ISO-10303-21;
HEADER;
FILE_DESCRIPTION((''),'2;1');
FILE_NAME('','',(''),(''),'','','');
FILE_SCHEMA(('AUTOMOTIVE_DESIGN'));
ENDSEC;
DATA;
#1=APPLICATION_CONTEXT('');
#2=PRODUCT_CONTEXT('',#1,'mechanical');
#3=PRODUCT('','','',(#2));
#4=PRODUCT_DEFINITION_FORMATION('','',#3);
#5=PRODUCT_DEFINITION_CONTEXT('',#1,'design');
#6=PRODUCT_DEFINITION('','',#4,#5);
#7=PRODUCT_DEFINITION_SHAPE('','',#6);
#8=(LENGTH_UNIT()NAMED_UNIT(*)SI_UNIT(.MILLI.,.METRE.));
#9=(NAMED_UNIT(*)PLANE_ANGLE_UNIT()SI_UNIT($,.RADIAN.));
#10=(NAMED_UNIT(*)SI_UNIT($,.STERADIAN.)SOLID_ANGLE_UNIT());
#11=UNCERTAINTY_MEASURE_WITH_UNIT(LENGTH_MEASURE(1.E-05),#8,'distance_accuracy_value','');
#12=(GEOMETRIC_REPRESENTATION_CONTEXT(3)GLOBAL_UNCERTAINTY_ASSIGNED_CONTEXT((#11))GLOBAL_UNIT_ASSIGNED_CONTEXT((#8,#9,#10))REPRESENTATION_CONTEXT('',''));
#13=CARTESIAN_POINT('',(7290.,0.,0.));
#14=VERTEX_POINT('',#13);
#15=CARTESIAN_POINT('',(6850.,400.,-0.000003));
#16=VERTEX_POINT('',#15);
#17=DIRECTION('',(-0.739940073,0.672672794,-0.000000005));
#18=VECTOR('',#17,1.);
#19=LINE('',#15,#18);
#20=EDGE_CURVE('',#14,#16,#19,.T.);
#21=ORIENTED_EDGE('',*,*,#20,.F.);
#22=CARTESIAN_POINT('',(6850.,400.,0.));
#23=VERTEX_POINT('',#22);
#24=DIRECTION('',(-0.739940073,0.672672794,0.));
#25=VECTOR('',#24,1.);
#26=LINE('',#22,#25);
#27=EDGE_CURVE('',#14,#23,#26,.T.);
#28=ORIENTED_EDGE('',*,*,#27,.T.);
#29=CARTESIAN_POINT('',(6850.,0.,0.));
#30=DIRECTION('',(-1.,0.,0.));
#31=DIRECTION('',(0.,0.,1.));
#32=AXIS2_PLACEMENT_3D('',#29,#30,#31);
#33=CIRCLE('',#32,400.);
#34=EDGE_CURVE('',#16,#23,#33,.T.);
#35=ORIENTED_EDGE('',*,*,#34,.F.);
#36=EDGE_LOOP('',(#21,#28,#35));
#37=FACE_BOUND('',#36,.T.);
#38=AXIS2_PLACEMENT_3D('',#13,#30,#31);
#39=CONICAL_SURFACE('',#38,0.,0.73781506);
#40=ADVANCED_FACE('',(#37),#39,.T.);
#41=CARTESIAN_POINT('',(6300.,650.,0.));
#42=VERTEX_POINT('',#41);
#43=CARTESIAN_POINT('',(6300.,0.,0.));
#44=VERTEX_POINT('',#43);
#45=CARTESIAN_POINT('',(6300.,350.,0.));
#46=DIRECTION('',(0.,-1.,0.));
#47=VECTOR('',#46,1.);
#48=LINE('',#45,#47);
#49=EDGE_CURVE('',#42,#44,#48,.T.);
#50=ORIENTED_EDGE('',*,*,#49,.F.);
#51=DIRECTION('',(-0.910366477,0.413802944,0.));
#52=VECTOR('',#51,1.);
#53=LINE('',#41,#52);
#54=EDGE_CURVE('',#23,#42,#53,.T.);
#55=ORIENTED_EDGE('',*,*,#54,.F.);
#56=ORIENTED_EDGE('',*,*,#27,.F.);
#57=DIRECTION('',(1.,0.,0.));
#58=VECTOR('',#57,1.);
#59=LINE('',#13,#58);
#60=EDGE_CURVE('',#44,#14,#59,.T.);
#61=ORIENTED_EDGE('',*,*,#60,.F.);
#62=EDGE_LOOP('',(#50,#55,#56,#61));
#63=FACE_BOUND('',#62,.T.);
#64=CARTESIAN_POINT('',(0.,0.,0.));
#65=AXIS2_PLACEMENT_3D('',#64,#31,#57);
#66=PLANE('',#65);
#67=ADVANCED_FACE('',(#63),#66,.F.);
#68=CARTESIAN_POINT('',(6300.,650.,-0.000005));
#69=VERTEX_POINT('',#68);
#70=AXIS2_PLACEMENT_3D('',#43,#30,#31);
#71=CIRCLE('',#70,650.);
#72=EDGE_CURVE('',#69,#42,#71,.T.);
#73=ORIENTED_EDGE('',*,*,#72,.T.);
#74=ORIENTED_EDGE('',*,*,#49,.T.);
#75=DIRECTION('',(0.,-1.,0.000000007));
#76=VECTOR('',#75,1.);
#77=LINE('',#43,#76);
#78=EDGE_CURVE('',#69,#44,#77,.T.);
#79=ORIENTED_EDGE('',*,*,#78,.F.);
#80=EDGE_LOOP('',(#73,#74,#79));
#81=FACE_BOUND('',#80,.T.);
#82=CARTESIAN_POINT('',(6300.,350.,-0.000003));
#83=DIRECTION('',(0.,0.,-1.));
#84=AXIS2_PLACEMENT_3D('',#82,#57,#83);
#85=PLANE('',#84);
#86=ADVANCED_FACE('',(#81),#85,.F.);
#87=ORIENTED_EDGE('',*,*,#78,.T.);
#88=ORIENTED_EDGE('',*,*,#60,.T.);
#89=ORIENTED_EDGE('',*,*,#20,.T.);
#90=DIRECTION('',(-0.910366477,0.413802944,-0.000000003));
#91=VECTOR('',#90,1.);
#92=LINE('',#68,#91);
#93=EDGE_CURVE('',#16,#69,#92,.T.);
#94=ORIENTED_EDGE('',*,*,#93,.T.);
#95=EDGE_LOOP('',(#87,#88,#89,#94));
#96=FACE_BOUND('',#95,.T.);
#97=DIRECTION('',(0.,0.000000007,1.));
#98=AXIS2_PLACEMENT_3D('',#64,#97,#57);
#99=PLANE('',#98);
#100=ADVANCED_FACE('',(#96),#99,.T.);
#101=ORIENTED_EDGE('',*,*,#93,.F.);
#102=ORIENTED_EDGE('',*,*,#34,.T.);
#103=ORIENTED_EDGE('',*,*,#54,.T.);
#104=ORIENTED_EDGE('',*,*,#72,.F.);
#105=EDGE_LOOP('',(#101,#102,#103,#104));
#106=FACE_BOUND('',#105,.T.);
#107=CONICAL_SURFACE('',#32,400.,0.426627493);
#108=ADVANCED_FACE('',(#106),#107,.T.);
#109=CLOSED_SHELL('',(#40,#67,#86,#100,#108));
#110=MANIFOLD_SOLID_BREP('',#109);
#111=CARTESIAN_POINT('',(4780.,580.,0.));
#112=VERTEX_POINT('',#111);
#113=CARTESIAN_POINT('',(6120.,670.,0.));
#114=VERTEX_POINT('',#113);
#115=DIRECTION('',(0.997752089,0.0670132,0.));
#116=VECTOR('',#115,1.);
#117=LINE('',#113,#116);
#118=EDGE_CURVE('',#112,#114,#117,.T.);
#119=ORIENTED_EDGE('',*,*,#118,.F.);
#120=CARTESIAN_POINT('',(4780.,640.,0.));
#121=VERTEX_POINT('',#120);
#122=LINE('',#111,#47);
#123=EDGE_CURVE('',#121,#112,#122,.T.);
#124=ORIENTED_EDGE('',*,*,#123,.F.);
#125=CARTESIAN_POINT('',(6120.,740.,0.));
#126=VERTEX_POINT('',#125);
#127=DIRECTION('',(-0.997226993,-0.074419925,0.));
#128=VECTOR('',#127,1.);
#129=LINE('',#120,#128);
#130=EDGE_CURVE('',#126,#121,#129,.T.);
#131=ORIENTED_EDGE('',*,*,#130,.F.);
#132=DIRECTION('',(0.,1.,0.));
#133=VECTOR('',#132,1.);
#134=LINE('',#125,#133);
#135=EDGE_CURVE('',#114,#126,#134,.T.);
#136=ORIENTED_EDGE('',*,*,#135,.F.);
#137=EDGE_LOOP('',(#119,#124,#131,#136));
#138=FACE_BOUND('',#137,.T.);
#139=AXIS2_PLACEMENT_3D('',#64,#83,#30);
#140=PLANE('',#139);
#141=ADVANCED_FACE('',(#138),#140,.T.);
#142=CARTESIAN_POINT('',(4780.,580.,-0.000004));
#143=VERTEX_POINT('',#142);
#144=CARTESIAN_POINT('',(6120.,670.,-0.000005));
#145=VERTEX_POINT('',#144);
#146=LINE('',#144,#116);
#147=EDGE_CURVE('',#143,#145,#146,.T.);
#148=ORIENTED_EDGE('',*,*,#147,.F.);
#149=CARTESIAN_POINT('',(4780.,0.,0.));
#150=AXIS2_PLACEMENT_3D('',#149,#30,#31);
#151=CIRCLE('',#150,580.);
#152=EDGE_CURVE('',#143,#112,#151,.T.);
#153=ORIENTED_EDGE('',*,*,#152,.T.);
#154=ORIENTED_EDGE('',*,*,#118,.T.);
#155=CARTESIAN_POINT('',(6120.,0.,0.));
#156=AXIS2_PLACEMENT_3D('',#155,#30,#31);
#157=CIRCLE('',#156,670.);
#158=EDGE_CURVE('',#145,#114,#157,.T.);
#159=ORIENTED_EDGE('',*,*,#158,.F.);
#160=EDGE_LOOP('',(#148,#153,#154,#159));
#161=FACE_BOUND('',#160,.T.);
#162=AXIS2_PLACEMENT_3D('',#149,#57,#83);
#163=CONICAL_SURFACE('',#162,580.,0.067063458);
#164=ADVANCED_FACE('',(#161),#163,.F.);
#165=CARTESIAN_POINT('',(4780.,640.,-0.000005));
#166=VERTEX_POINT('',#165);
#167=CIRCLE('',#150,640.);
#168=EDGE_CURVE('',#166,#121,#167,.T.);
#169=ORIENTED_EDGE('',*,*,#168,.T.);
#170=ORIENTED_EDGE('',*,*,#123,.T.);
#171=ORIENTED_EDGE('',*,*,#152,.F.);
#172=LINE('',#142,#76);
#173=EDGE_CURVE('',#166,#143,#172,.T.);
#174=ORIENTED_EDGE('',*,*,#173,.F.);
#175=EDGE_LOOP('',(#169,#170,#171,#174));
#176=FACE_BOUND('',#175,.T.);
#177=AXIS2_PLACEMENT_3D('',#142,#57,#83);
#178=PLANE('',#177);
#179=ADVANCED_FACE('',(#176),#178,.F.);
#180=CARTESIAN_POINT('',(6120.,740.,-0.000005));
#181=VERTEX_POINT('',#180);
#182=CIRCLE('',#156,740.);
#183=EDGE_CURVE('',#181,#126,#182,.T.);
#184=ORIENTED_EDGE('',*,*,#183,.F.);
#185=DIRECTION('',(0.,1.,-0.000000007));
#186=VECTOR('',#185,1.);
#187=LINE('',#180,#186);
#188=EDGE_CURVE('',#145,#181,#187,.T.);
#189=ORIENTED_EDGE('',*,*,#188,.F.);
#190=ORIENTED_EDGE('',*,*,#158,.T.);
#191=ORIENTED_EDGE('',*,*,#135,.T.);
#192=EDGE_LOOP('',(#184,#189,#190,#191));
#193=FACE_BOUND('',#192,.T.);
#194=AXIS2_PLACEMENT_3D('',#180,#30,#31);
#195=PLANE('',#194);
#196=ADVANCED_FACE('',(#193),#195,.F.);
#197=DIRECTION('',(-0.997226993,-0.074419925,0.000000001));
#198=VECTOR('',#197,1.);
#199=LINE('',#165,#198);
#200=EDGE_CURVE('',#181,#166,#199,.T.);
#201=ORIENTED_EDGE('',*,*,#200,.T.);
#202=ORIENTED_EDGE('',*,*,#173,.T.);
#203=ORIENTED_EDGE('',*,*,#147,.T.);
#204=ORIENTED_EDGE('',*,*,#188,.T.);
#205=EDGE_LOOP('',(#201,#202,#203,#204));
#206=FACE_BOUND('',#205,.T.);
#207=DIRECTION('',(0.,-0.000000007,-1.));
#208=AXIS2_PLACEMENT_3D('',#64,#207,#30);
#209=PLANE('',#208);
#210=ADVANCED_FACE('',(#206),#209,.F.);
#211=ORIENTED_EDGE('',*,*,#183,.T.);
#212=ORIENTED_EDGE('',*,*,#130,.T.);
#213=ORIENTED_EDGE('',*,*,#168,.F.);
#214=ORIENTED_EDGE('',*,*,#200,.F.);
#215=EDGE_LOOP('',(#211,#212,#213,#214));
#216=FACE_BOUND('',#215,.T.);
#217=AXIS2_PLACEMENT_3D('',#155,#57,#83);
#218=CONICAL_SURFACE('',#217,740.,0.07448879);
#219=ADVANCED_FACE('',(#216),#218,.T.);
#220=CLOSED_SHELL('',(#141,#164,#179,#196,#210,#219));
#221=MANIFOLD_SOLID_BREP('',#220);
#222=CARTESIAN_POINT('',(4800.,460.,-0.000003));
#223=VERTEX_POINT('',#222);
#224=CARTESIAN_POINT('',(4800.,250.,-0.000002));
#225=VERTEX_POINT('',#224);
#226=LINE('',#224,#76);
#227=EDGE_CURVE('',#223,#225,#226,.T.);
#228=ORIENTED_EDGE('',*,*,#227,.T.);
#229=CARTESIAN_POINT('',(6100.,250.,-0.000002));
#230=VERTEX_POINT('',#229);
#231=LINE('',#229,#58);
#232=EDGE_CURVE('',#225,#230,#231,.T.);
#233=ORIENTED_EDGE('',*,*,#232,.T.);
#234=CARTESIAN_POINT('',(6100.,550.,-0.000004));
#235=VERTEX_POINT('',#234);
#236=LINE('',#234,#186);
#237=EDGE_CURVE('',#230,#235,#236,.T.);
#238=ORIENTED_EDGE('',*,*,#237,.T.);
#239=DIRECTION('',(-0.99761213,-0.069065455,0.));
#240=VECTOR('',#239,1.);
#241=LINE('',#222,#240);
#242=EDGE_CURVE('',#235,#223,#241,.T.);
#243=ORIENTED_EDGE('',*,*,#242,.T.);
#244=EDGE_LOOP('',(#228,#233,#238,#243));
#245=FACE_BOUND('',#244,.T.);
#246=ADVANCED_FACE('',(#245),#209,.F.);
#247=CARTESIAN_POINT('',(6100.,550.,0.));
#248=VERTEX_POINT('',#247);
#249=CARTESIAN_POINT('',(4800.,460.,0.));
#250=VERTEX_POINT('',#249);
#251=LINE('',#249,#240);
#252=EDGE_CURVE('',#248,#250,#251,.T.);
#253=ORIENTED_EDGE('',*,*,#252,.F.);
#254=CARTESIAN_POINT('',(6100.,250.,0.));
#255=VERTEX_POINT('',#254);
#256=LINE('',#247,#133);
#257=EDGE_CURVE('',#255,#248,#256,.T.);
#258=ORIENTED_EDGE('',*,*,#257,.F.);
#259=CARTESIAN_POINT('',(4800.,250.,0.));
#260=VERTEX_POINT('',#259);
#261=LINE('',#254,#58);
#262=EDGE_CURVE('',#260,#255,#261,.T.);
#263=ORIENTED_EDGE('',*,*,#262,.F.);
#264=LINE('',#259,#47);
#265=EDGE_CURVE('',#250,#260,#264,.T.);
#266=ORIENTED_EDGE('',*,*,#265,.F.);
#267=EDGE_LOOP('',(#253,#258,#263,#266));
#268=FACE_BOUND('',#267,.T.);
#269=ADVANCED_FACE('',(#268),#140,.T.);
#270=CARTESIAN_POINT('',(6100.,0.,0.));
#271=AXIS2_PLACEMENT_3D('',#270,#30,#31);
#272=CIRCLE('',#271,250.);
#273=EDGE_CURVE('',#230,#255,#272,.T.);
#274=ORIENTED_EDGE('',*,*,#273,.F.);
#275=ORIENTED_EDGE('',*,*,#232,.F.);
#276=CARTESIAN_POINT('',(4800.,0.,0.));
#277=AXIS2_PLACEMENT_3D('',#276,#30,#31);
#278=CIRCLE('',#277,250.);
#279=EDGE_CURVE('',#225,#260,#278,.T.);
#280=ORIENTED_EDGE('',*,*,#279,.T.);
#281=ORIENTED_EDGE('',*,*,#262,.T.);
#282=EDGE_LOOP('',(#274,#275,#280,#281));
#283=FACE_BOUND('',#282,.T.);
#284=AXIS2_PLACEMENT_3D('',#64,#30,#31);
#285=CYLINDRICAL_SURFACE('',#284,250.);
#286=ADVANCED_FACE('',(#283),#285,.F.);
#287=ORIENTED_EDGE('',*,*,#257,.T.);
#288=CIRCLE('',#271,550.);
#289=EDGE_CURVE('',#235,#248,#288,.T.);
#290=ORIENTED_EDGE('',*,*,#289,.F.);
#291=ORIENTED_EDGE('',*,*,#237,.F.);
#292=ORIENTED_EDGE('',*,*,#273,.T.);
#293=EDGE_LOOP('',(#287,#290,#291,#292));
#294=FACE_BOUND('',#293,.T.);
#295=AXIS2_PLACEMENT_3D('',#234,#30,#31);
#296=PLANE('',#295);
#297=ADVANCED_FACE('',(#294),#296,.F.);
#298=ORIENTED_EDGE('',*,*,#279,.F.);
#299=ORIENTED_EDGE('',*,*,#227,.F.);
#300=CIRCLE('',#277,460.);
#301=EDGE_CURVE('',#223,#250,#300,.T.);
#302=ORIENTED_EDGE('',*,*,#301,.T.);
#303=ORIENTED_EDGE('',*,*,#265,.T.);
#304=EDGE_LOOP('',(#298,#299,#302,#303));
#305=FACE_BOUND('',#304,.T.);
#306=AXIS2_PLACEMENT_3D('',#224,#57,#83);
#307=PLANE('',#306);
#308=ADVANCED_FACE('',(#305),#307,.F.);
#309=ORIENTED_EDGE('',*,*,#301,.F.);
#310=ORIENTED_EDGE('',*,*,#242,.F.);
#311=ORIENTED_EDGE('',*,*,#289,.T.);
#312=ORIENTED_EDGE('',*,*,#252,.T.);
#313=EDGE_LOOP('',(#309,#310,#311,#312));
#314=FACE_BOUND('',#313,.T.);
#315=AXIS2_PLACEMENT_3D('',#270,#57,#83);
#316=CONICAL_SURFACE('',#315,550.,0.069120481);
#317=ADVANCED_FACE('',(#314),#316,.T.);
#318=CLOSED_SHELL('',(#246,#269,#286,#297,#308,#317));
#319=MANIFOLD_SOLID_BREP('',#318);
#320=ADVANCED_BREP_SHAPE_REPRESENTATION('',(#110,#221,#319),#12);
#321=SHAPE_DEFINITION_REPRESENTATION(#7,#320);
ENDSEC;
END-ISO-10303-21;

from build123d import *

# Parameters (mm, degrees)
REVOLVE1_ANGLE = 359.999999589
REVOLVE2_ANGLE = 359.999999589
REVOLVE3_ANGLE = 359.999999589


with BuildPart() as part:
    # Sketch1 → Revolve1 (revolve)
    with BuildSketch(Plane.XY):
        Polygon((4800, 250), (4800, 460), (6100, 550), (6100, 250), align=None)
    revolve(axis=Axis((0, 0, 0), (1, 0, 0)), revolution_arc=REVOLVE1_ANGLE)


with BuildPart() as body_2:
    # Sketch2 → Revolve2 (revolve)
    with BuildSketch(Plane.XY):
        Polygon((4780, 580), (4780, 640), (6120, 740), (6120, 670), align=None)
    revolve(axis=Axis((0, 0, 0), (1, 0, 0)), revolution_arc=REVOLVE2_ANGLE)


with BuildPart() as body_3:
    # Sketch3 → Revolve3 (revolve)
    with BuildSketch(Plane.XY):
        Polygon((6300, 350), (6300, 650), (6850, 400), (7290, 0), (6300, 0), align=None)
    revolve(axis=Axis((0, 0, 0), (1, 0, 0)), revolution_arc=REVOLVE3_ANGLE)


solid = Compound([part.part, body_2.part, body_3.part])
